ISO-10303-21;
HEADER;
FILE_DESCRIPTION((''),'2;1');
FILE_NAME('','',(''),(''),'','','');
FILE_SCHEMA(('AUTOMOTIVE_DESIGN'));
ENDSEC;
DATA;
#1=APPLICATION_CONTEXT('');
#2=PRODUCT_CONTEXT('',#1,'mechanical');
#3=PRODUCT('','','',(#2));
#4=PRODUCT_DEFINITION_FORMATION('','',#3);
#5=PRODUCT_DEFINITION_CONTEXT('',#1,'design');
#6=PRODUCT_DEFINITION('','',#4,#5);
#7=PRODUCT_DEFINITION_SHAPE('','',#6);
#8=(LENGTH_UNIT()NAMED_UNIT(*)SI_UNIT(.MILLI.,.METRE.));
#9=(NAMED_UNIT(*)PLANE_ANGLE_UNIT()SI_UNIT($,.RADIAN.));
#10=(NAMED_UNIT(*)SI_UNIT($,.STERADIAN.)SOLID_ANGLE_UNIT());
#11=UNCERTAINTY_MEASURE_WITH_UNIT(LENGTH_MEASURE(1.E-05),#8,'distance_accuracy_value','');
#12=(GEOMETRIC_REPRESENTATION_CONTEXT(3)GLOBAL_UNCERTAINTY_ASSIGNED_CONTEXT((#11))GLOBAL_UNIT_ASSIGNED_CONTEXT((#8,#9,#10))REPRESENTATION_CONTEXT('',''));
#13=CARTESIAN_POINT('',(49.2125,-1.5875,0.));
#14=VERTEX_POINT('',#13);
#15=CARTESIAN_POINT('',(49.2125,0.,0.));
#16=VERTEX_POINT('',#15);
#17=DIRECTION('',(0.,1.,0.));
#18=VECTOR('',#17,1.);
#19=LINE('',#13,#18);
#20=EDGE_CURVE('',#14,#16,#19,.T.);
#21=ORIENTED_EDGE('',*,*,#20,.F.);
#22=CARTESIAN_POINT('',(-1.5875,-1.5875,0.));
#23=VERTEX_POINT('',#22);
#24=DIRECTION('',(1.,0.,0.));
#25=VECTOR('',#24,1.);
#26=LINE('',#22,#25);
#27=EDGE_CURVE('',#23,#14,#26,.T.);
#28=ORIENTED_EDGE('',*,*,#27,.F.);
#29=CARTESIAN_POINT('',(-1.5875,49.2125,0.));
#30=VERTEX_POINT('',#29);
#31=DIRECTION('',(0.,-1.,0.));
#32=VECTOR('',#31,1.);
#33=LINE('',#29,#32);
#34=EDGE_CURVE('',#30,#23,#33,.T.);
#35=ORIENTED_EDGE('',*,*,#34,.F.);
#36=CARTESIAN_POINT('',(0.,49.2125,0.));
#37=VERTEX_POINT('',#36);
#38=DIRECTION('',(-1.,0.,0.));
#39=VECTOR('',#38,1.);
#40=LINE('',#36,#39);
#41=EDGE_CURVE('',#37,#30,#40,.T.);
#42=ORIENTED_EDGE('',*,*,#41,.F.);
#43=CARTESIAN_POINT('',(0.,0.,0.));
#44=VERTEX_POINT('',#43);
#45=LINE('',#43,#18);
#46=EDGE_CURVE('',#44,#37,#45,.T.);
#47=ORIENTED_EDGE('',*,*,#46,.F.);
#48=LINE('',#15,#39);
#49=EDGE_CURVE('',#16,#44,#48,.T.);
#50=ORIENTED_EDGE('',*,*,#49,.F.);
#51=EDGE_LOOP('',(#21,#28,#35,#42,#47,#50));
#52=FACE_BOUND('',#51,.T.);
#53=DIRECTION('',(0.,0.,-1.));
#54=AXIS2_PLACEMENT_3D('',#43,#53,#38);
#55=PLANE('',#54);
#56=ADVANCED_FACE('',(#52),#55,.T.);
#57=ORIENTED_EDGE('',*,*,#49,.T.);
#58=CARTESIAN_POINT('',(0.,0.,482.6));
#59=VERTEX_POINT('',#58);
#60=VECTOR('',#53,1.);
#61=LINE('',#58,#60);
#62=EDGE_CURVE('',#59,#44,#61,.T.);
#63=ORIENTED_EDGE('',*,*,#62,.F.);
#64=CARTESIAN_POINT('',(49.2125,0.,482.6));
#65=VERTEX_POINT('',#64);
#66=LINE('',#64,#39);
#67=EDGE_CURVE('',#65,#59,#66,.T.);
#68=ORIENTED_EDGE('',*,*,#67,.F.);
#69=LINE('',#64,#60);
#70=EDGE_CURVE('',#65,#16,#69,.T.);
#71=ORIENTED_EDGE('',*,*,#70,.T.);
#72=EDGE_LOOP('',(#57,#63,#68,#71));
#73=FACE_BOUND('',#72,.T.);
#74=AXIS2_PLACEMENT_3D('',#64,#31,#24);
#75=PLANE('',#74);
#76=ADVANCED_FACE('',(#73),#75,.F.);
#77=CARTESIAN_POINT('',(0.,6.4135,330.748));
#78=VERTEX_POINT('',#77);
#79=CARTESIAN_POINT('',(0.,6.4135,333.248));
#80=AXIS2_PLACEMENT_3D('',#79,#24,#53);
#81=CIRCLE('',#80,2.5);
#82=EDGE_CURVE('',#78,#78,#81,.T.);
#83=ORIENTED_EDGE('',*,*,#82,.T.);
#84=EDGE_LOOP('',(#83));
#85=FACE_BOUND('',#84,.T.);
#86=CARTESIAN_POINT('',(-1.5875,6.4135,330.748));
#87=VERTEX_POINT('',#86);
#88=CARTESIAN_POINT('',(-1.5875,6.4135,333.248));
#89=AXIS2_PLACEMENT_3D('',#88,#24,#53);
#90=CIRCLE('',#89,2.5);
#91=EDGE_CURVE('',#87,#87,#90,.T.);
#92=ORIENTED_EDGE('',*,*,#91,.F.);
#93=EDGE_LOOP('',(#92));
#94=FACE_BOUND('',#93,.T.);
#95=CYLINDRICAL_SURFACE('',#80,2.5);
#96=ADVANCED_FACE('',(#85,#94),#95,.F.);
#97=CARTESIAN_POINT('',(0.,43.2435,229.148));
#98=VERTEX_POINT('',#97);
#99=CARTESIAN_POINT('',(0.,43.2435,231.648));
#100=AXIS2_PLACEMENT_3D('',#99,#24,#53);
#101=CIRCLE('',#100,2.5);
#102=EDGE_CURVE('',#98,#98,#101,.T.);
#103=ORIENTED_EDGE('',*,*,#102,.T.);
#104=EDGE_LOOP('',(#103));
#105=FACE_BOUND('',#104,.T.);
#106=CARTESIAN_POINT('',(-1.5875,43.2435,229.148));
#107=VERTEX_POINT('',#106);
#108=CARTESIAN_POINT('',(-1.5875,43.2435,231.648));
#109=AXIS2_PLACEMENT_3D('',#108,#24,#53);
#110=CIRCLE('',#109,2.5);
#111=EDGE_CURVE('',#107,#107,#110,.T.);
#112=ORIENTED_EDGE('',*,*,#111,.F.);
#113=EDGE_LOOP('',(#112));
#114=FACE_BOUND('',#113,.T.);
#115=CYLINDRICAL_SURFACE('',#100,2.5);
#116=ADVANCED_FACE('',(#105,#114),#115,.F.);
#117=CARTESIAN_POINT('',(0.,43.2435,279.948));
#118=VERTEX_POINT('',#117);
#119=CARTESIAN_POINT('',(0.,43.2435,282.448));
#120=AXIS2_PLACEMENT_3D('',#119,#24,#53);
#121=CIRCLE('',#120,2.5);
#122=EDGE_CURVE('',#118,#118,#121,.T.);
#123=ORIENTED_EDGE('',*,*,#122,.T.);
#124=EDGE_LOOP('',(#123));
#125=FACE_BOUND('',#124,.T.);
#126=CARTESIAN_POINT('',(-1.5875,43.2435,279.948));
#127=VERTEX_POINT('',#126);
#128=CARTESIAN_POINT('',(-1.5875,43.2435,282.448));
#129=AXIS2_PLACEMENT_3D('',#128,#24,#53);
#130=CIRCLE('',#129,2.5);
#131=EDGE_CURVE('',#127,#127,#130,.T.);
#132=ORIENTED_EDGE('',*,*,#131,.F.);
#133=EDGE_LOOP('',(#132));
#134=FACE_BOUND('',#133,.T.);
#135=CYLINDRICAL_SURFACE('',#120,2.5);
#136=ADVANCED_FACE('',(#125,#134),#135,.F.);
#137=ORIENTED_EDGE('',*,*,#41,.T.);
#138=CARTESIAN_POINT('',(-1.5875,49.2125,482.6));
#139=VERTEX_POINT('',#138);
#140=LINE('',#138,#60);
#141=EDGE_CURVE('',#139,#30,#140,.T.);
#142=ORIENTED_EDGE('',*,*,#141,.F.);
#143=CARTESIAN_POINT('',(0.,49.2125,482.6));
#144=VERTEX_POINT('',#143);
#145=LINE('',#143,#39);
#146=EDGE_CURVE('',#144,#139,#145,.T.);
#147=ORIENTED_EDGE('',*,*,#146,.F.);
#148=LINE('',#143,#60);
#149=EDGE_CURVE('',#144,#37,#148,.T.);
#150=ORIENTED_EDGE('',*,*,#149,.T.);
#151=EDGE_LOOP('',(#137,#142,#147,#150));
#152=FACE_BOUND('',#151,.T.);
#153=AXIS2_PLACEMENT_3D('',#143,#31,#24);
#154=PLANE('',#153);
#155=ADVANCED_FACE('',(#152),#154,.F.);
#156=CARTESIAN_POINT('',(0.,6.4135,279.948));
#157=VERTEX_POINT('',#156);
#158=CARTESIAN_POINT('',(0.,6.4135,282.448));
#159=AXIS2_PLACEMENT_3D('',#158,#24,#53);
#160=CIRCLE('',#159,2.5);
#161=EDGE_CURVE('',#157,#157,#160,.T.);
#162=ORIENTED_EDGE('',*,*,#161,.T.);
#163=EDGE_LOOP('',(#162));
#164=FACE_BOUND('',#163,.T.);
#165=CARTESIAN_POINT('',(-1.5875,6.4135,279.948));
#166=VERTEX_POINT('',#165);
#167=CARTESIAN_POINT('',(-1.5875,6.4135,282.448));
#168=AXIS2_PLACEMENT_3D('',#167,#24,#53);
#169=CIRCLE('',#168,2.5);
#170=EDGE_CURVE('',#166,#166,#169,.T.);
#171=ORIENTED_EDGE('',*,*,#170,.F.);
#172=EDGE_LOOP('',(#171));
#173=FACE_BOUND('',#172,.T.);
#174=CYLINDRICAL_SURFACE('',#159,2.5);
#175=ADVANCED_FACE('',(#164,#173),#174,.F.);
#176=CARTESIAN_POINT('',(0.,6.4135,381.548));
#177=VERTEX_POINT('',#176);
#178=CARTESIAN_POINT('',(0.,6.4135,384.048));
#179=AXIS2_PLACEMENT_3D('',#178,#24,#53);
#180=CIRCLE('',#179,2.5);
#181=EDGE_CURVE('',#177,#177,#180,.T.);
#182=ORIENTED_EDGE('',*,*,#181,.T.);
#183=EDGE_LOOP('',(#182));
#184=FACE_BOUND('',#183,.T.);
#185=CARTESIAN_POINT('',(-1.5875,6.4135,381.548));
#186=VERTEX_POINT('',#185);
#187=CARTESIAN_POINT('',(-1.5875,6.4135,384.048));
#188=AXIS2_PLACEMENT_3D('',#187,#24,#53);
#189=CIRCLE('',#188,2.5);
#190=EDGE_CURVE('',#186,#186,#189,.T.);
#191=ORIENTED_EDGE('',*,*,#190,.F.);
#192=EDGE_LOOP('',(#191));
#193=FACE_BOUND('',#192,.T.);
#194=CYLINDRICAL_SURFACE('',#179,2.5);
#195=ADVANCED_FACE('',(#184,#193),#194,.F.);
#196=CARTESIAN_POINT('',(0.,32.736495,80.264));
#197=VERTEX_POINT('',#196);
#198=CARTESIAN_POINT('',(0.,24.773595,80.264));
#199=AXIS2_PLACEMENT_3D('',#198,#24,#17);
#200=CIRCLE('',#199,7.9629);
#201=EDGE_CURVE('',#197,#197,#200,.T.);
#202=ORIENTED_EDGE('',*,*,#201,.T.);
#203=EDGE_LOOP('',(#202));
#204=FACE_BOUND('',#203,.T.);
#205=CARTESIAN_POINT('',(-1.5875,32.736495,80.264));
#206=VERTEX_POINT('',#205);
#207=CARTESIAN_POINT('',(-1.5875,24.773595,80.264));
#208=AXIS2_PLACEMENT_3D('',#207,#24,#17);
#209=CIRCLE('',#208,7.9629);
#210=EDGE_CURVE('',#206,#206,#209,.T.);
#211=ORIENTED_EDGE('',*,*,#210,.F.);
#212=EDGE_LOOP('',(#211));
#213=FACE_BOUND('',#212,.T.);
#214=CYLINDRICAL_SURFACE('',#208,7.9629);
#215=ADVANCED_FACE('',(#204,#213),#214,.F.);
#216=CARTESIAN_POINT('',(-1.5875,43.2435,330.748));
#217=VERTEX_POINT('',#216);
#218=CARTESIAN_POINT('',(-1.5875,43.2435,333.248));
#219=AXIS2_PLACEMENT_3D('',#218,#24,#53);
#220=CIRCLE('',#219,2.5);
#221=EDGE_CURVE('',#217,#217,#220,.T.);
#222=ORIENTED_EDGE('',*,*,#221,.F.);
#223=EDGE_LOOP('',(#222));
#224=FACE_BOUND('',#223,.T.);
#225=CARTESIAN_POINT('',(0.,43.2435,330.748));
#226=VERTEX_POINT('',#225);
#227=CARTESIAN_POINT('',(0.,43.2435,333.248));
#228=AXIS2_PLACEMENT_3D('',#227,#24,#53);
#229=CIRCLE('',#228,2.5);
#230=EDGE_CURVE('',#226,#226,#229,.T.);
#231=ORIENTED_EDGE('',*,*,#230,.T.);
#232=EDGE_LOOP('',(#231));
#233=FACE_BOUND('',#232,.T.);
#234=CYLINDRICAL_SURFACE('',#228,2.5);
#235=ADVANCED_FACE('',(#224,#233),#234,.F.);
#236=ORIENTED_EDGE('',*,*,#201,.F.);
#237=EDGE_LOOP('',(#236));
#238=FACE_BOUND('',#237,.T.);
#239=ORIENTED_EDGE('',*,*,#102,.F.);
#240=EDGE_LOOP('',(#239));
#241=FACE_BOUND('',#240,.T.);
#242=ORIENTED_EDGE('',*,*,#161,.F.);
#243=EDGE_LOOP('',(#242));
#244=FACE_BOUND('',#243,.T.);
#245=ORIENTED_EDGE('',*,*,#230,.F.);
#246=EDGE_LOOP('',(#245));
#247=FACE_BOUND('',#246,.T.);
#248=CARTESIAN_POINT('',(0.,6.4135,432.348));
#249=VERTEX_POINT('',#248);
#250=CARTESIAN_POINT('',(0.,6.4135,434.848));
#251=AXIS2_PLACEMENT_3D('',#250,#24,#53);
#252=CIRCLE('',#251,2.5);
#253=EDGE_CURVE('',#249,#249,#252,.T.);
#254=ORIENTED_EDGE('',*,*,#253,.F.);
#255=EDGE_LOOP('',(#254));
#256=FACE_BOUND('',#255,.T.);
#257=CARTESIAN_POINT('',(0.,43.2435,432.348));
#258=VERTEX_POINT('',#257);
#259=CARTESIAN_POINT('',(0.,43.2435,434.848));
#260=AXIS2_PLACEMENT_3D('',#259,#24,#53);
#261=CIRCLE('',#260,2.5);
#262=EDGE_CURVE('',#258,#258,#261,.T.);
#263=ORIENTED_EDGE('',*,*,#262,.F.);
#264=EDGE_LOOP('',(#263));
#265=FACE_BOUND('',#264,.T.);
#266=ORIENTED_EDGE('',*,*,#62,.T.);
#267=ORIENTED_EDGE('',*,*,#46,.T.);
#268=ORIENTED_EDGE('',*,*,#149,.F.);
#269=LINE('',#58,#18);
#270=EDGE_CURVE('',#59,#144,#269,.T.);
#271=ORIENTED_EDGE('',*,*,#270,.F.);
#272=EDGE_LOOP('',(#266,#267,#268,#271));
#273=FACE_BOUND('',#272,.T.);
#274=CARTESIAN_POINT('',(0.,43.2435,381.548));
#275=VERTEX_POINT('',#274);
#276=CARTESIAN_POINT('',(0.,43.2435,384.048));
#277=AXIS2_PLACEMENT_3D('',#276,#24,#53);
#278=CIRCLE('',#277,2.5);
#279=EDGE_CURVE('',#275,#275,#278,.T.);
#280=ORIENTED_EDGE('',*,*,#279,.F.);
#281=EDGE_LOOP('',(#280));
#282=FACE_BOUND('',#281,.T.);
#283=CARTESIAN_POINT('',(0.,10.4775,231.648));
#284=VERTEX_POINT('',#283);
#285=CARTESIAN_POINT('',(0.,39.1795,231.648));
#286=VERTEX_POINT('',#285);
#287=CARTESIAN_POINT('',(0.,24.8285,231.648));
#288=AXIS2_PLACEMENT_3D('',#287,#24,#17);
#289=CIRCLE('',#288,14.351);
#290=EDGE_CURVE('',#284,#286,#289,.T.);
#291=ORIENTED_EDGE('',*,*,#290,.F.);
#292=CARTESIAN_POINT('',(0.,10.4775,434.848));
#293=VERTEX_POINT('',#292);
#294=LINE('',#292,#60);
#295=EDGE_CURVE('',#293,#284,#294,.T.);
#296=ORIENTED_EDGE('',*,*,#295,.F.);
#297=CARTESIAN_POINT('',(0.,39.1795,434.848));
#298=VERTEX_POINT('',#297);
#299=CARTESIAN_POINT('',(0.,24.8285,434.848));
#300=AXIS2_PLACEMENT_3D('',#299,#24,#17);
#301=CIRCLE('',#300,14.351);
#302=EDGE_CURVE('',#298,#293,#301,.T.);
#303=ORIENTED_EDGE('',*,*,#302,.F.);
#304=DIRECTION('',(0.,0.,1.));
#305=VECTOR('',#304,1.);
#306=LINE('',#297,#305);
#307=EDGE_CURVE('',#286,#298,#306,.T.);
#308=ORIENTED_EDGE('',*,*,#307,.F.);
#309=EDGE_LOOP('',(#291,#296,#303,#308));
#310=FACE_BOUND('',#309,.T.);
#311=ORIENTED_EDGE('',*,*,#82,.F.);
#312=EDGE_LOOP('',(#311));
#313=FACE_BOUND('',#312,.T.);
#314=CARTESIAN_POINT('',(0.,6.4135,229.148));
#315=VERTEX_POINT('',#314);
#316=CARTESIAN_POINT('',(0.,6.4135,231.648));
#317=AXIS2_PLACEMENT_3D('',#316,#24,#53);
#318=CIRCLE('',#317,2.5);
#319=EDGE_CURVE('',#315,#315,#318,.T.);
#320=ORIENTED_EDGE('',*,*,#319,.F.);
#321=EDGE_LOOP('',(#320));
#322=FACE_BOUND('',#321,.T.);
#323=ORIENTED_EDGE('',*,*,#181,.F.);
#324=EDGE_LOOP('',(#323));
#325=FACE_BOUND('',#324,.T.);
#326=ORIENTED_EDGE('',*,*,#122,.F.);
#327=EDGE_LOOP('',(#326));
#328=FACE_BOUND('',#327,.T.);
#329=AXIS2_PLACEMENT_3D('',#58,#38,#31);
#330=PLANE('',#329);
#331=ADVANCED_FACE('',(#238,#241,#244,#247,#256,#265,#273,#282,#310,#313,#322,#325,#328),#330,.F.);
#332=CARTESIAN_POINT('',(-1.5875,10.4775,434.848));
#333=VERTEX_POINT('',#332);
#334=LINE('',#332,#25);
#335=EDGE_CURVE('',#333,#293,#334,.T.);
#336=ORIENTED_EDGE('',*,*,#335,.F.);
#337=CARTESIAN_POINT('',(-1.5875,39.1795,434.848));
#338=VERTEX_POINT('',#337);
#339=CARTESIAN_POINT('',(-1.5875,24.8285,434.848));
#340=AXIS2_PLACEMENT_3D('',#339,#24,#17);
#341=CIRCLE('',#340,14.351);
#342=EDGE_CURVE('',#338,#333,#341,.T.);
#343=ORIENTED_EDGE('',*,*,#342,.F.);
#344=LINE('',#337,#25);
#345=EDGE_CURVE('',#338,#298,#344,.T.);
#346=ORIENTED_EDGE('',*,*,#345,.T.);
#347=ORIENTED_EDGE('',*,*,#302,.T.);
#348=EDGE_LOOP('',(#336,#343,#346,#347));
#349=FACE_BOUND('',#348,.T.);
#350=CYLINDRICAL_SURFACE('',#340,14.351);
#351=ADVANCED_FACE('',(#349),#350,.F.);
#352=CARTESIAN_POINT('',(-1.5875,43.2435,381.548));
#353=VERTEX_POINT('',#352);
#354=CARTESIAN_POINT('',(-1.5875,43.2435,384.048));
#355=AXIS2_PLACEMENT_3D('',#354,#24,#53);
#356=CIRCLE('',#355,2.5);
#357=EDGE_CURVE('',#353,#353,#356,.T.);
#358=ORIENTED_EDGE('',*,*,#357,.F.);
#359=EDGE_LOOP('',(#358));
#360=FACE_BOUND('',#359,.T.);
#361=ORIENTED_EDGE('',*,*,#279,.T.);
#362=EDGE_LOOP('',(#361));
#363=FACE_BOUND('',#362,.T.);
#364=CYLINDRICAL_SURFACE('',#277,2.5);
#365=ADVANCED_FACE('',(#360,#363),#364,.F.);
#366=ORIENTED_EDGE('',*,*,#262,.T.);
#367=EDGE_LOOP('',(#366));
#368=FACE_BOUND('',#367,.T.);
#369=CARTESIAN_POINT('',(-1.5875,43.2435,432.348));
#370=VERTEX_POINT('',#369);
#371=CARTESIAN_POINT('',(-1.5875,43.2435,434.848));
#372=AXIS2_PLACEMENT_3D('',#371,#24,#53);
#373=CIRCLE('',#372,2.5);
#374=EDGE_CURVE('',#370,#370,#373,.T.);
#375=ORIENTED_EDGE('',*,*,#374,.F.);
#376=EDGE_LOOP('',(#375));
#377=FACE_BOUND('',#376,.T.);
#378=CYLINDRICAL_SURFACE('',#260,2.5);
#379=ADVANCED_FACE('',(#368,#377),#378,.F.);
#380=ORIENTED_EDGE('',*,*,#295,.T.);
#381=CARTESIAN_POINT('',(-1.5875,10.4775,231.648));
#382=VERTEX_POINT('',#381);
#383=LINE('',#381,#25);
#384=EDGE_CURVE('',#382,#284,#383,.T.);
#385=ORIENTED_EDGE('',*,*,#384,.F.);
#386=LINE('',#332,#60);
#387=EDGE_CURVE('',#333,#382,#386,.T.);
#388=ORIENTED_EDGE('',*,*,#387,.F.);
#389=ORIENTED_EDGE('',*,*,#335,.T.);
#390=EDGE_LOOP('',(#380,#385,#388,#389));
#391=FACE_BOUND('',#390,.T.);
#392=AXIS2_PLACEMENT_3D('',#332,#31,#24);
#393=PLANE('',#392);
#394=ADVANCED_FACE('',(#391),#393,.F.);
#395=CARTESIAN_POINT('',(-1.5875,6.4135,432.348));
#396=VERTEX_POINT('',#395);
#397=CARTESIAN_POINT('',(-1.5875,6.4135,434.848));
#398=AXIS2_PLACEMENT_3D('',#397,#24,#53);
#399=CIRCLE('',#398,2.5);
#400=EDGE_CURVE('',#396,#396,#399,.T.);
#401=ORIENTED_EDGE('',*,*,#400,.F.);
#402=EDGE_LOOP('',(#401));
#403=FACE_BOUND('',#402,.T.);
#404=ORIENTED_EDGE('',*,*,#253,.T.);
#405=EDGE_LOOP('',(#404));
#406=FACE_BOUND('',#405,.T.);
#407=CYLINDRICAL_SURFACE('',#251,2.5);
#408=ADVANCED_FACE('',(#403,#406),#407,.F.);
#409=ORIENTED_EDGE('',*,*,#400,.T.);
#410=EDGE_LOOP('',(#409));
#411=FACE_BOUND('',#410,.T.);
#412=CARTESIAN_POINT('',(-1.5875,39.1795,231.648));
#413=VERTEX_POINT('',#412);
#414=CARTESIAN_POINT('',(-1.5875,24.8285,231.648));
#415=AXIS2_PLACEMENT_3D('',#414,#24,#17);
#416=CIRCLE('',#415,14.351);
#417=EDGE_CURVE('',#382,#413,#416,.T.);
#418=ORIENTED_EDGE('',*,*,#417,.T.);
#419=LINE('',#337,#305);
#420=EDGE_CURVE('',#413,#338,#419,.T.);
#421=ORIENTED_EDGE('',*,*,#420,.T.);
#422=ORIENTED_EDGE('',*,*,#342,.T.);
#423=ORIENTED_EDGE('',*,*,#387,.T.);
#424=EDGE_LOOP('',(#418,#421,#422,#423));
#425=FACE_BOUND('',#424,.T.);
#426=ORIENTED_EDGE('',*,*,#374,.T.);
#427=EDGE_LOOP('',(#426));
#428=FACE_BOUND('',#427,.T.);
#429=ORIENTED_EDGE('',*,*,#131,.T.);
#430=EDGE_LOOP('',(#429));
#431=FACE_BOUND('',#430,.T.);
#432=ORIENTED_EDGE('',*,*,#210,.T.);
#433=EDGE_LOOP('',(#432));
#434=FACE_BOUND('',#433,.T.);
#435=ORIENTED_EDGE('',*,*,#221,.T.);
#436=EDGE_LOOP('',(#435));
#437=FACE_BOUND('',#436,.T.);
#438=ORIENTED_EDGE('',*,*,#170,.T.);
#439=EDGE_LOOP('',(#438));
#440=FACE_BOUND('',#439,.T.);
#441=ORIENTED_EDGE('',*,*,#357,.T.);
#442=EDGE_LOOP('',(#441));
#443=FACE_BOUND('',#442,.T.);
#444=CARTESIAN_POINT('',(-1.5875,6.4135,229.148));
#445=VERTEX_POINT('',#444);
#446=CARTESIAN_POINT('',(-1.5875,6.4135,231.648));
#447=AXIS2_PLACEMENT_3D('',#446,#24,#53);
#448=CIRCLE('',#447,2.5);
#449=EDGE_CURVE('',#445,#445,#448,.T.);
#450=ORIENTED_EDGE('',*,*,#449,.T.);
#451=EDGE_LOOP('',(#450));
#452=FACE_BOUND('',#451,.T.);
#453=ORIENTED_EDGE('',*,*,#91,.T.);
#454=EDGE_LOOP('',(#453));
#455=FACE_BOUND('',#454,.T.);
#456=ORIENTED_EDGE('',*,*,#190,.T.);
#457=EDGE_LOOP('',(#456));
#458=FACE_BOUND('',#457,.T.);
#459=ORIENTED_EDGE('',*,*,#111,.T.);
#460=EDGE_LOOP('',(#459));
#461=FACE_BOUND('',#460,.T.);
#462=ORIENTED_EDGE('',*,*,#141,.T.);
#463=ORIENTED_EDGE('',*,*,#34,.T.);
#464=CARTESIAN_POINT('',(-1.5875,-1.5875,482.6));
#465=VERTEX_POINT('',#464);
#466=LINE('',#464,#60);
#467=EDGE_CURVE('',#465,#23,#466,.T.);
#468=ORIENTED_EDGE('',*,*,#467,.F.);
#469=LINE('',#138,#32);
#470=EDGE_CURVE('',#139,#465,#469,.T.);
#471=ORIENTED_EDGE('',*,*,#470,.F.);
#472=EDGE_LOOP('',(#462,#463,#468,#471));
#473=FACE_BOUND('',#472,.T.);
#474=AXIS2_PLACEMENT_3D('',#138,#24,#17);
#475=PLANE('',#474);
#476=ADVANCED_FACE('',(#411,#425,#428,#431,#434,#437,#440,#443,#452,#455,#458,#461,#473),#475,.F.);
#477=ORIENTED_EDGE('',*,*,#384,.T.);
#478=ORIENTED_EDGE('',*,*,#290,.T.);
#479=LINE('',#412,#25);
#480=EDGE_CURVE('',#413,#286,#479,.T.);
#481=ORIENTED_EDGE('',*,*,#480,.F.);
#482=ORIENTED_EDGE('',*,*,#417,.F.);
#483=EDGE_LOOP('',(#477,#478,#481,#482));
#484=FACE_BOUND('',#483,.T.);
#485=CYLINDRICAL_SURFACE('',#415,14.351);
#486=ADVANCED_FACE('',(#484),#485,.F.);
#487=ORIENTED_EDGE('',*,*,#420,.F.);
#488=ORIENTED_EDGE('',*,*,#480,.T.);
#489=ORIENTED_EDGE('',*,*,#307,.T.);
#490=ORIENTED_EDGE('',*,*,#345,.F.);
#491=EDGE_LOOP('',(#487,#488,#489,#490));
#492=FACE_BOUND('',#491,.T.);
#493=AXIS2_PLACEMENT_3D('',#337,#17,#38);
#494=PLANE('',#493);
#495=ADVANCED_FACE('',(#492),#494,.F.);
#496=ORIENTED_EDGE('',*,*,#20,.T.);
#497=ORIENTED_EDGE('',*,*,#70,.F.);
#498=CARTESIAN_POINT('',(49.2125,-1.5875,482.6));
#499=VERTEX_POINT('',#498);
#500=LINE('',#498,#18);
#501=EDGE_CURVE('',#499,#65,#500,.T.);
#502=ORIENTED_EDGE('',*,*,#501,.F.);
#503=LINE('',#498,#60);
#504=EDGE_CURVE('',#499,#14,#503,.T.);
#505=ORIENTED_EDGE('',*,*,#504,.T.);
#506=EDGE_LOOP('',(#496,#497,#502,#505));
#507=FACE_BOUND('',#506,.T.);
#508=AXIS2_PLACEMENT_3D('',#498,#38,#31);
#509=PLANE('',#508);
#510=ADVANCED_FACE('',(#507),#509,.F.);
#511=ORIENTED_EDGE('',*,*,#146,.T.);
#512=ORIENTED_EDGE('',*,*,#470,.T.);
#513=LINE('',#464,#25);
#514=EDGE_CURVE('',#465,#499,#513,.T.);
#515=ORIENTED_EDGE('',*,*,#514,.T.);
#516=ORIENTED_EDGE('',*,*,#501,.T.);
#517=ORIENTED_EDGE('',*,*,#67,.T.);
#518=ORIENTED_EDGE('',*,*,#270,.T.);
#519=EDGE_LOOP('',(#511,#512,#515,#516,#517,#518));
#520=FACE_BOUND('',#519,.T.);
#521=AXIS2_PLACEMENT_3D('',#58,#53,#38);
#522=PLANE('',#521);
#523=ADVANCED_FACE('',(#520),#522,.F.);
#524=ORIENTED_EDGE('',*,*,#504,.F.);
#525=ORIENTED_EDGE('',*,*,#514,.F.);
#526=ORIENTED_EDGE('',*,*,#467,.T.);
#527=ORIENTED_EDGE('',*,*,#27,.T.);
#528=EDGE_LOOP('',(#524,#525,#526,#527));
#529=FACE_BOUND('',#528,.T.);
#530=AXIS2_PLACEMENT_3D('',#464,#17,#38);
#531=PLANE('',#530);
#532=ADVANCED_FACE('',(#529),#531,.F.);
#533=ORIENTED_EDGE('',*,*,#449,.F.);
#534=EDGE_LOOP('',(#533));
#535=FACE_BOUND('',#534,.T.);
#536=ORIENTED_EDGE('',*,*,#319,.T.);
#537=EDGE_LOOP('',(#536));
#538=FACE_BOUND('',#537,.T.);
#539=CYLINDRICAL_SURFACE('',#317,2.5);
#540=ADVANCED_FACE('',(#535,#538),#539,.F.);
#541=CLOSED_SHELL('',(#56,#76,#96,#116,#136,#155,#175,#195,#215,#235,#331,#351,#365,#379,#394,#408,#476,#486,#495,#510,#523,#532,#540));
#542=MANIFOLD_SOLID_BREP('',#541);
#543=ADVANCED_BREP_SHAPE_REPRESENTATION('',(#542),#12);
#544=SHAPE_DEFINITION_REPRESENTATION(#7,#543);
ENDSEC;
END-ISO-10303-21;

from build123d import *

# Parameters (mm, degrees)
BOSS_EXTRUDE2_DEPTH          = 482.6
CUT_EXTRUDE3_DEPTH           = 488.592555637
SKETCH7_R                    = 7.9629
CUT_EXTRUDE4_DEPTH           = 488.592555637
F_10_0_1935_DIAMETER_HOLE1_D = 4.999999906


with BuildPart() as part:
    # Sketch3 → Boss-Extrude2 (new body)
    with BuildSketch(Plane.XY):
        Polygon((0, 0), (0, 49.2125), (-1.5875, 49.2125), (-1.5875, -1.5875), (49.2125, -1.5875), (49.2125, 0), align=None)
    extrude(amount=BOSS_EXTRUDE2_DEPTH)

    # Sketch6 → Cut-Extrude3 (cut, through all)
    with BuildSketch(Plane(origin=(0, 0, 0), x_dir=(0, 0, -1), z_dir=(1, 0, 0))):
        with BuildLine():
            Line((-434.848, 39.1795), (-231.648, 39.1795))
            ThreePointArc((-231.648, 39.1795), (-217.297, 24.8285), (-231.648, 10.4775))
            Line((-231.648, 10.4775), (-434.848, 10.4775))
            ThreePointArc((-434.848, 10.4775), (-449.199, 24.8285), (-434.848, 39.1795))
        make_face()
    extrude(amount=-CUT_EXTRUDE3_DEPTH, mode=Mode.SUBTRACT)

    # Sketch7 → Cut-Extrude4 (cut, through all)
    with BuildSketch(Plane(origin=(0, 0, 0), x_dir=(0, 0, -1), z_dir=(1, 0, 0))):
        with Locations(Location((-80.264, 24.773594829, 0), (0, 0, 90))):
            Circle(SKETCH7_R)
    extrude(amount=-CUT_EXTRUDE4_DEPTH, mode=Mode.SUBTRACT)

    # #10 (0.1935) Diameter Hole1 (through all)
    with Locations(Plane(origin=(0, 0, 0), x_dir=(0, 0, -1), z_dir=(1, 0, 0))):
        with Locations((-434.848, 43.2435), (-384.048, 43.2435), (-333.248, 43.2435), (-282.448, 43.2435), (-231.648, 43.2435), (-231.648, 6.4135), (-282.448, 6.4135), (-333.248, 6.4135), (-384.048, 6.4135), (-434.848, 6.4135)):
            Hole(F_10_0_1935_DIAMETER_HOLE1_D / 2)


solid = part.part
